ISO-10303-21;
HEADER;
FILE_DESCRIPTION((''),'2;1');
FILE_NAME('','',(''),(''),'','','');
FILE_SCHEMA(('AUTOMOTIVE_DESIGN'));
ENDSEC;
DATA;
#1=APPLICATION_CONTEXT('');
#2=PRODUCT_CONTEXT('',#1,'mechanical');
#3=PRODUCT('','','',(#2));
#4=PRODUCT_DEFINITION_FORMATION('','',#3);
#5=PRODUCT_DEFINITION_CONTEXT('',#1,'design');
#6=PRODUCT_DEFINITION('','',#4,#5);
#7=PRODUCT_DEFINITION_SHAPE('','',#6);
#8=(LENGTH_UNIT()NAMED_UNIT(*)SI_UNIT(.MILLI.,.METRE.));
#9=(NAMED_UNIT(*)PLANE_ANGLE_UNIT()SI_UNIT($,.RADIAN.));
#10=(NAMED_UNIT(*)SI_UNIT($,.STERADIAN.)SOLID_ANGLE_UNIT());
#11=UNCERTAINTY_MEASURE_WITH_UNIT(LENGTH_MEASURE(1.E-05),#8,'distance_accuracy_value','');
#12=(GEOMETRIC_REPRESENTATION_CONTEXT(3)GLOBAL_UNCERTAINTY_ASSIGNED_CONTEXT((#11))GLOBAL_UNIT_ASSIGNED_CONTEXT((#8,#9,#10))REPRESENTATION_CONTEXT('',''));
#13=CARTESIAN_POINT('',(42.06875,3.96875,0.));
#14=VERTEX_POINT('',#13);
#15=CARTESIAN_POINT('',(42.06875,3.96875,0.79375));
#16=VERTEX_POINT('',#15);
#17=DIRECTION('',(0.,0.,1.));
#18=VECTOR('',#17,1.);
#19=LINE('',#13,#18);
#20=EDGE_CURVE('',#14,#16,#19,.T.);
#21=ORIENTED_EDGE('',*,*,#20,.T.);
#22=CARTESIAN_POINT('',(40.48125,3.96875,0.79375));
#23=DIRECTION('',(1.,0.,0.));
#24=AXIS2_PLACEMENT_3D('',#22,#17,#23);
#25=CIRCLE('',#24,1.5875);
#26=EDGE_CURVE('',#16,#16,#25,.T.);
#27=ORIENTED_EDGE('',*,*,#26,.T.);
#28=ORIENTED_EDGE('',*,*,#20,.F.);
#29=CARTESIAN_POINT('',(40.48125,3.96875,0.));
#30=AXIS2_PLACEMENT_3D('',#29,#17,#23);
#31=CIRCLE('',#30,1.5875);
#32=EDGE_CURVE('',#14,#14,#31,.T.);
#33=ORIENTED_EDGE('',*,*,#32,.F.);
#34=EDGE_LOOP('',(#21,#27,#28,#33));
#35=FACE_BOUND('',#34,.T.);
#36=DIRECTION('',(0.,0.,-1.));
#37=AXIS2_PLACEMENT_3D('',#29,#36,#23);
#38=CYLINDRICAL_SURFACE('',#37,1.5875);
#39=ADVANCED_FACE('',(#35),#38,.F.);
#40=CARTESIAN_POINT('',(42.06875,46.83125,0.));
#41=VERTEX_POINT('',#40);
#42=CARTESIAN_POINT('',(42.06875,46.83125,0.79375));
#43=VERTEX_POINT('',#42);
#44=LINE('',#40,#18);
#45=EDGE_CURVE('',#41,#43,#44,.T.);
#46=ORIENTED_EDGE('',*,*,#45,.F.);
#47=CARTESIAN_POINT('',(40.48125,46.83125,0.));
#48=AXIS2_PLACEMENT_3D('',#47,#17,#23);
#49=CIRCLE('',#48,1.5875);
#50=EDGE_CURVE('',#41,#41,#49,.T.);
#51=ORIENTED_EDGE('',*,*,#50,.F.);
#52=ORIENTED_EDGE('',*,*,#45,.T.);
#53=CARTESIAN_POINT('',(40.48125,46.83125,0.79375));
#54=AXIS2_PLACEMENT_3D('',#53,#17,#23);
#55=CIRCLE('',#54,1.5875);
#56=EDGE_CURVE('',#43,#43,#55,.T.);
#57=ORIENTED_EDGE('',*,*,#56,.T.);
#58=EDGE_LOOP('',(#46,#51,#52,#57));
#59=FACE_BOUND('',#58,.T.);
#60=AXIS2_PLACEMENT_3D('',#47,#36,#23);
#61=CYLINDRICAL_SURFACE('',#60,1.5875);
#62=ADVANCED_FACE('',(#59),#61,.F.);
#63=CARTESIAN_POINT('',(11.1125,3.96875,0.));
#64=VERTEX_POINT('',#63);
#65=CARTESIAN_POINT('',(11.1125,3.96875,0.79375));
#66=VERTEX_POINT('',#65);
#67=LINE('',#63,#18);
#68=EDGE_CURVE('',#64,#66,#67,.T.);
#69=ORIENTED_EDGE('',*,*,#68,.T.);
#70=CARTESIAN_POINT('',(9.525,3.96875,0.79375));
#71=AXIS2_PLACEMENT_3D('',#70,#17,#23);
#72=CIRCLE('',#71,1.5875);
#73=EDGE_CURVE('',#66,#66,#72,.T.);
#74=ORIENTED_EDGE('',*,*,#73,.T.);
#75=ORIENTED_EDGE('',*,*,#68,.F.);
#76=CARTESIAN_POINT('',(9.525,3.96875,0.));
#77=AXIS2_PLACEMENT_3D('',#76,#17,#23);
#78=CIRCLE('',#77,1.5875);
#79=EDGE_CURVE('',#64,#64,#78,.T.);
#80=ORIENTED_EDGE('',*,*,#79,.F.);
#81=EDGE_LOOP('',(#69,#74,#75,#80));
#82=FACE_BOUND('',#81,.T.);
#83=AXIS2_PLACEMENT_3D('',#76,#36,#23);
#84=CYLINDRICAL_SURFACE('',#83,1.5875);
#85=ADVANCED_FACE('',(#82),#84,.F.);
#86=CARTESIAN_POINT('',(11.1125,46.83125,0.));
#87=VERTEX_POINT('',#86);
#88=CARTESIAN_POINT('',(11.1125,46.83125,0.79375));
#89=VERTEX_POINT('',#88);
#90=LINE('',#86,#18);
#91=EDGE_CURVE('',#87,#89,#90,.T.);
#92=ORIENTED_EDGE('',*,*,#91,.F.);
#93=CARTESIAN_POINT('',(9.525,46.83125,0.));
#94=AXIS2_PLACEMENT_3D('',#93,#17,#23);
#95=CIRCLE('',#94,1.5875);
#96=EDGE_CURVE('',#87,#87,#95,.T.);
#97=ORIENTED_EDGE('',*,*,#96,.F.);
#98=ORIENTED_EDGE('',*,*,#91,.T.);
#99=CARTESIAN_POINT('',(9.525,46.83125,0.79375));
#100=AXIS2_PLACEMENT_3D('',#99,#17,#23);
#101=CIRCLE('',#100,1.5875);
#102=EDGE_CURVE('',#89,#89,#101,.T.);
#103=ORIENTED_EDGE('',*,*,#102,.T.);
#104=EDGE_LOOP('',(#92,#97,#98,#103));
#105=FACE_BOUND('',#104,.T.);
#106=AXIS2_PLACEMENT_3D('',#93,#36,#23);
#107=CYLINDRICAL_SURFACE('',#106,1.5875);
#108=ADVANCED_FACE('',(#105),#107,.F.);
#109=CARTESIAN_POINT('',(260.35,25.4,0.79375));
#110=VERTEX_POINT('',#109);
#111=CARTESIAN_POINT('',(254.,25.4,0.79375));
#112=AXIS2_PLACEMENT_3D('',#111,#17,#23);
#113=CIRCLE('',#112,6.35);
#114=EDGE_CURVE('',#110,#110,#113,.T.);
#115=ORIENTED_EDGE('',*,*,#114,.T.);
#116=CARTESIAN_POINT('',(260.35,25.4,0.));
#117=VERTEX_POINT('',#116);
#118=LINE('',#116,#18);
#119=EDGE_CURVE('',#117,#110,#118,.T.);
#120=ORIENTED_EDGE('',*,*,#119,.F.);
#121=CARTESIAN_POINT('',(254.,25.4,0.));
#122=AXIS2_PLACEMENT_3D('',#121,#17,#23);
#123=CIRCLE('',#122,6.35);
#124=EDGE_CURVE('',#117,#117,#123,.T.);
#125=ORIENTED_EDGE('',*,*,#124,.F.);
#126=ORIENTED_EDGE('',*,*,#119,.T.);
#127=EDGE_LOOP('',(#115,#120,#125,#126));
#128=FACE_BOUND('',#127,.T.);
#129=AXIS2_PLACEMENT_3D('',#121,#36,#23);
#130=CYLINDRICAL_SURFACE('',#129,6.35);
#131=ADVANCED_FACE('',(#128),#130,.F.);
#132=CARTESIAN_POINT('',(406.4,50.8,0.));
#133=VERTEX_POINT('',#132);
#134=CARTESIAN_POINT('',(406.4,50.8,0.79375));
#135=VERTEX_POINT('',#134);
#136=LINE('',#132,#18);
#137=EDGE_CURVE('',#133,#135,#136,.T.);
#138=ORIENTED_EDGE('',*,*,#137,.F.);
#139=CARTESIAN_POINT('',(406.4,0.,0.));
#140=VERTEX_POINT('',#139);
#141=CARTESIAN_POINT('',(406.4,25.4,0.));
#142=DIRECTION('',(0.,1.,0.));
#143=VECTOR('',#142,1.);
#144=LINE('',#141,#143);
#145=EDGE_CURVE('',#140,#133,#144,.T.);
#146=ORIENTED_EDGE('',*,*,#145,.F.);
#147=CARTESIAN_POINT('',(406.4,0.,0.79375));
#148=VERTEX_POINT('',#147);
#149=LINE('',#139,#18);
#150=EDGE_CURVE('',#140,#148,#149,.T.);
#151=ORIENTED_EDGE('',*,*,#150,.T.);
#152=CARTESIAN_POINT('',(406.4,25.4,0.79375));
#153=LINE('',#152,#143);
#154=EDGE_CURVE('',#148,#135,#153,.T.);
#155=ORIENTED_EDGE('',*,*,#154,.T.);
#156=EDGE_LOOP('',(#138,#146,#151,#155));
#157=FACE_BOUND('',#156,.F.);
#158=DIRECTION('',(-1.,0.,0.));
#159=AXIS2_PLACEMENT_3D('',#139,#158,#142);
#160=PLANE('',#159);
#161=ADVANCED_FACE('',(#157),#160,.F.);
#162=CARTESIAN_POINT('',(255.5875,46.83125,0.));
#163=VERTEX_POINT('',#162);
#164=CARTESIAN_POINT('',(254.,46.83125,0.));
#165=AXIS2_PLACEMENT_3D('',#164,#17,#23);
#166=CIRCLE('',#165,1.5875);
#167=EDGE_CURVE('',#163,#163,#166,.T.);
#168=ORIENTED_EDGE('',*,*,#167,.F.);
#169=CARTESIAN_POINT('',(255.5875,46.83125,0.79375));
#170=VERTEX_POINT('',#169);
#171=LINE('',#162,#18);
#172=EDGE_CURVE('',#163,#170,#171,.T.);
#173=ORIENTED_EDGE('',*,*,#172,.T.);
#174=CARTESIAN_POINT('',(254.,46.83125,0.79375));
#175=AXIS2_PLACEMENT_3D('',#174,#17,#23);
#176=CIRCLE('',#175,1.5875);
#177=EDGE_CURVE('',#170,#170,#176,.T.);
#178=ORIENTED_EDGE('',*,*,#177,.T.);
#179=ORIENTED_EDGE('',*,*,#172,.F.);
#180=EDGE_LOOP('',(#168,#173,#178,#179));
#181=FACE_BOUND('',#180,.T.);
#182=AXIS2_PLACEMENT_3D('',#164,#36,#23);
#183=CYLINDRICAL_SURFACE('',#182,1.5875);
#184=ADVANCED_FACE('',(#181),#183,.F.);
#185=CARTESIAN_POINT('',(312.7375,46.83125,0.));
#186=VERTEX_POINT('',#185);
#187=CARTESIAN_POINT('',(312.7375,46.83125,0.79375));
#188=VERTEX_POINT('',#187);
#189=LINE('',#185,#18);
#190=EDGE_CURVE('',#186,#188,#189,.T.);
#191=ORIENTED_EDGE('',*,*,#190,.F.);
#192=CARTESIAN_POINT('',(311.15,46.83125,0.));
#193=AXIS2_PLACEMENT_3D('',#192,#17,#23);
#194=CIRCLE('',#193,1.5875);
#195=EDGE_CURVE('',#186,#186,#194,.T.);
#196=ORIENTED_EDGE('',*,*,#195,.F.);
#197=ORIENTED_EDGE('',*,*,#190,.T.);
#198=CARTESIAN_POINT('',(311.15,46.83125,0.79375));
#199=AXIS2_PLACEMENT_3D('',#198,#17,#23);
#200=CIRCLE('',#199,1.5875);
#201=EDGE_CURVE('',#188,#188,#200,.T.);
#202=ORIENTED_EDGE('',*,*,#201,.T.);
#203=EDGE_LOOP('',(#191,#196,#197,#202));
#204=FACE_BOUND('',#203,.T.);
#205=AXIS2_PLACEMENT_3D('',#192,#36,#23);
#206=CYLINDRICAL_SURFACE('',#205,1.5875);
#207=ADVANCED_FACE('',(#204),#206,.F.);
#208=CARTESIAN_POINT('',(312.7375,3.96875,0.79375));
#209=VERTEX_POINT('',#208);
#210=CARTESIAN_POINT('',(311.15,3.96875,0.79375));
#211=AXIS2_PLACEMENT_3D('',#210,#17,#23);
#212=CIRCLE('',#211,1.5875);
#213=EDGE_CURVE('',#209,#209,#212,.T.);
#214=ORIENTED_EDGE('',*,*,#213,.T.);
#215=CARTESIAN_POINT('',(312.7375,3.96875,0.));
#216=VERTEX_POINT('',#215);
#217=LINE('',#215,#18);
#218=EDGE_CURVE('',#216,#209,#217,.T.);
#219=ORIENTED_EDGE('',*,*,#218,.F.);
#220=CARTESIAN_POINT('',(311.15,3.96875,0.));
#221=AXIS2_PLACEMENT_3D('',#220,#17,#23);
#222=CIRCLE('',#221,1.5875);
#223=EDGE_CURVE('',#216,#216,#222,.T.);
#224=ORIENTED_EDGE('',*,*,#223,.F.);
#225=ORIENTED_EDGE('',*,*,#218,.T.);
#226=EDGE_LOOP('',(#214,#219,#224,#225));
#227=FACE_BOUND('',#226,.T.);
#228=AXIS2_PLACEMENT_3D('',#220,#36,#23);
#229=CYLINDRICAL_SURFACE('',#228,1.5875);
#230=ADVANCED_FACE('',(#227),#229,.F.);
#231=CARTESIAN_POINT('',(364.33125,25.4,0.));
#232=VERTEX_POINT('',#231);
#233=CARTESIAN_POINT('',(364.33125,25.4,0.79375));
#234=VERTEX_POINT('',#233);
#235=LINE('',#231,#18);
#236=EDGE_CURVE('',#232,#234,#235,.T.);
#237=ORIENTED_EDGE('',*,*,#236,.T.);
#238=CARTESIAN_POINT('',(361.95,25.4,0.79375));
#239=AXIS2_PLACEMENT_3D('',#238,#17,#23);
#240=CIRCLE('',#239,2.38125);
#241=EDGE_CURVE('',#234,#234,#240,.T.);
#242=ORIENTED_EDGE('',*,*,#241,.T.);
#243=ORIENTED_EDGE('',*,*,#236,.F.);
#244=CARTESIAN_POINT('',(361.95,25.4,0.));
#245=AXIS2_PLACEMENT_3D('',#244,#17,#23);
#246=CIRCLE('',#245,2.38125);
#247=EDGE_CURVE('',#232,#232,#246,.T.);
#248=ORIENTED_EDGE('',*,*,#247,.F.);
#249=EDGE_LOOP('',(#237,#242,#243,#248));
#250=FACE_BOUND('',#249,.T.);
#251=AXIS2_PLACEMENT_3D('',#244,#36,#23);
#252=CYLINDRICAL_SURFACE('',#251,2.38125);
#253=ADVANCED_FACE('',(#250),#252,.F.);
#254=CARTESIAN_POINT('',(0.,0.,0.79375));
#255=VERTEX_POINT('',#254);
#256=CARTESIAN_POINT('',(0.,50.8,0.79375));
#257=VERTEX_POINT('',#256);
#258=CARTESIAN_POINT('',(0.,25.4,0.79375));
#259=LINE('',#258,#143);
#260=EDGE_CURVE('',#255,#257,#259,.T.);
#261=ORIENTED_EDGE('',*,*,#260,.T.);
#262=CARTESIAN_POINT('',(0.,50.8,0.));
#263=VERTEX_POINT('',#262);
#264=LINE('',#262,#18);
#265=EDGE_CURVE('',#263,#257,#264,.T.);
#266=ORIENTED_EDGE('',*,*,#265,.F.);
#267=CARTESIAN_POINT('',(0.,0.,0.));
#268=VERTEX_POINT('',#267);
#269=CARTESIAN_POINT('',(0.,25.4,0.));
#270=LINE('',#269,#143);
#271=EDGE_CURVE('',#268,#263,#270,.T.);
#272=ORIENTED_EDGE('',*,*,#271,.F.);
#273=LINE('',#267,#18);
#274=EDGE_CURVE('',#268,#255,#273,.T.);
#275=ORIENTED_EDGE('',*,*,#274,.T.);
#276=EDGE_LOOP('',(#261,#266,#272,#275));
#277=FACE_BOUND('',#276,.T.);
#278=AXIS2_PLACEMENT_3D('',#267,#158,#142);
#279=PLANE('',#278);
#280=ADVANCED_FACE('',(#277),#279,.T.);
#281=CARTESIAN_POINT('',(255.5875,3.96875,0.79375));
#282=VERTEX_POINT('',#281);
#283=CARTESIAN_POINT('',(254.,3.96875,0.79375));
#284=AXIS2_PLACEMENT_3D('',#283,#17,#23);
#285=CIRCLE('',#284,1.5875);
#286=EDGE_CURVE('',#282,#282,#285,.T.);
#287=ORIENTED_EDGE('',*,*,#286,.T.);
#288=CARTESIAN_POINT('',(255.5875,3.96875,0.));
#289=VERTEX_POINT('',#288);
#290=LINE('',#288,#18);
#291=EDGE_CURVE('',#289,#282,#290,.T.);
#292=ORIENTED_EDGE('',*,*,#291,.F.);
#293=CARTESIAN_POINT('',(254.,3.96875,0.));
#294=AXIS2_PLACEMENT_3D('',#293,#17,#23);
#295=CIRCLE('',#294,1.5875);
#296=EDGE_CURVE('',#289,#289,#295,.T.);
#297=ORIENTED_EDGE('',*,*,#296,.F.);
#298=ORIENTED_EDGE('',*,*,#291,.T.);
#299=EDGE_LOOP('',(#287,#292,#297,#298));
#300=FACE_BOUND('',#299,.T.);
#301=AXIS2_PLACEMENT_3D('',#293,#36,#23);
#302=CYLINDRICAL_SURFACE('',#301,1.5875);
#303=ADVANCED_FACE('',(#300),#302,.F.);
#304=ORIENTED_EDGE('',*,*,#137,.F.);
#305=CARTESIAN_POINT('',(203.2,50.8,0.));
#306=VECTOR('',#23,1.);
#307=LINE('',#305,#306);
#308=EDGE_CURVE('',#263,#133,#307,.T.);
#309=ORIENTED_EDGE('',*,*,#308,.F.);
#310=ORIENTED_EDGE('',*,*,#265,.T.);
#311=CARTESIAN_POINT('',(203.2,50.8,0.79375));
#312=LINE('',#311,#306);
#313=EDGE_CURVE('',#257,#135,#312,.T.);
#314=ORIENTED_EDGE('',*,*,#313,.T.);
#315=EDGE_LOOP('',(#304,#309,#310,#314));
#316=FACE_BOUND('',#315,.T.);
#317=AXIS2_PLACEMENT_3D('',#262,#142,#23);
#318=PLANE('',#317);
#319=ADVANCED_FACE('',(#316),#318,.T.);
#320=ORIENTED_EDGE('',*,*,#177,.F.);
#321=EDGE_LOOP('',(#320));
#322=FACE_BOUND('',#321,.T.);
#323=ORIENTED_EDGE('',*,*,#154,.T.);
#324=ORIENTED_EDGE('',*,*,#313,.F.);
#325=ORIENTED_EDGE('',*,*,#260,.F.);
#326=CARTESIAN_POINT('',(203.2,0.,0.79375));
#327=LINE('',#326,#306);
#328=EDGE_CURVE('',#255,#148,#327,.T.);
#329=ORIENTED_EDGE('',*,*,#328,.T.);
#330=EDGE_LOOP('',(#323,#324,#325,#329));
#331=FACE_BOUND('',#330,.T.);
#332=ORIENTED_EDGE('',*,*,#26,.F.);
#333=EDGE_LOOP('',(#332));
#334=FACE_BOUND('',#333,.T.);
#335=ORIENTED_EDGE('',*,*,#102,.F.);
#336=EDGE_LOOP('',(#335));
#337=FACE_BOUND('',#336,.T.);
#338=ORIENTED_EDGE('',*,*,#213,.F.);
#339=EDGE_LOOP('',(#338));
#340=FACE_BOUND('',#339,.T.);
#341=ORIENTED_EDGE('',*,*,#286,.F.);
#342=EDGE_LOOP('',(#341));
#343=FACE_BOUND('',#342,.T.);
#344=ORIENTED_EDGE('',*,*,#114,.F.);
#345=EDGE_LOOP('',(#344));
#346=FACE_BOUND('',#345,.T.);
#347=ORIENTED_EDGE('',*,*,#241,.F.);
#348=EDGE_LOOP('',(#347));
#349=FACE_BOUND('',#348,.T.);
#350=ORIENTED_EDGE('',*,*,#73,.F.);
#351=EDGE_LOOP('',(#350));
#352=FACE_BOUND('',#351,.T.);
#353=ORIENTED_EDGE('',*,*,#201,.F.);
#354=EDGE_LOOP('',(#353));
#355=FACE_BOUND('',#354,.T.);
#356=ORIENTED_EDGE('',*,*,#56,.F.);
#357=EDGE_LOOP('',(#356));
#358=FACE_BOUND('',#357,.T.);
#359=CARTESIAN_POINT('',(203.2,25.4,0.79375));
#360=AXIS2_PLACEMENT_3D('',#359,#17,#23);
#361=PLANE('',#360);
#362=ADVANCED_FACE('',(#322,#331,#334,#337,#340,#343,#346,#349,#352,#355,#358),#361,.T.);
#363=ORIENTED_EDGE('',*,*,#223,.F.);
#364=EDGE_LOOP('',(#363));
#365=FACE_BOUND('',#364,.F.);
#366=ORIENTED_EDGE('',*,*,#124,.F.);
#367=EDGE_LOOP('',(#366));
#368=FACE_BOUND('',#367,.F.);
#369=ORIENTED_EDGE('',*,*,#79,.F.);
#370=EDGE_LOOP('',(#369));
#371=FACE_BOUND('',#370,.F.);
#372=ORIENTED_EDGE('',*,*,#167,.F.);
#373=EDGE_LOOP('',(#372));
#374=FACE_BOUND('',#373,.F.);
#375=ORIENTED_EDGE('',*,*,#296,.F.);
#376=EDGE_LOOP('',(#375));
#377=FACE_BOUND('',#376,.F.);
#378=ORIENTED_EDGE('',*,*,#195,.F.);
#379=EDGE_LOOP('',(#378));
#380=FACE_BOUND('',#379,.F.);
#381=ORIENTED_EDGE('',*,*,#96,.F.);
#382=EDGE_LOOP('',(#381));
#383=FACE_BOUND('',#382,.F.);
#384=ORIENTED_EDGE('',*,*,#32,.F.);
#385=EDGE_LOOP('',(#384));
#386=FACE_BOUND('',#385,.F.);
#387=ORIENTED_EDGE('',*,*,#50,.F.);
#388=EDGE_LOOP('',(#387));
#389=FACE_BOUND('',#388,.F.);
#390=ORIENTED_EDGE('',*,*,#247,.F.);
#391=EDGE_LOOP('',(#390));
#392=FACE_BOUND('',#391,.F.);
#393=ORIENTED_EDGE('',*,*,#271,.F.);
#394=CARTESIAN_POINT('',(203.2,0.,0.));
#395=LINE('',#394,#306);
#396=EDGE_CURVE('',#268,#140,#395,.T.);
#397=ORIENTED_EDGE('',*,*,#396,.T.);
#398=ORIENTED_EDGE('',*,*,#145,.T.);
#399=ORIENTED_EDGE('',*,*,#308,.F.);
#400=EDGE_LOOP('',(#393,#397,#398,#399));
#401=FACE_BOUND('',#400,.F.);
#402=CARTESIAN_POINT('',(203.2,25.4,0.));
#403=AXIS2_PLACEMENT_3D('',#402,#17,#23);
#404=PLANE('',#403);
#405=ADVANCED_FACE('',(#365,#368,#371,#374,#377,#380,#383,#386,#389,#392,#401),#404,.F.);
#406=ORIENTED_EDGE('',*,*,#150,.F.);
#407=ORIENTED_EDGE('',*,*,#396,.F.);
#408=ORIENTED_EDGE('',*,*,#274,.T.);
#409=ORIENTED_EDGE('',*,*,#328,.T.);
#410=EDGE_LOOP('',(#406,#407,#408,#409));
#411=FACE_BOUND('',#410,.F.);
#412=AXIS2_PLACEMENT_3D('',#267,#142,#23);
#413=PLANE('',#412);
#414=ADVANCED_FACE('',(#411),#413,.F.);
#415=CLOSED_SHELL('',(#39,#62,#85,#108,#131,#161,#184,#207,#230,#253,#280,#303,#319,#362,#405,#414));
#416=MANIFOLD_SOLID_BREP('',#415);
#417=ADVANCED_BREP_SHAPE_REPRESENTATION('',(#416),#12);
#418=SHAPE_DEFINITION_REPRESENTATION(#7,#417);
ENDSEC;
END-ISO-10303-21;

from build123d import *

# Parameters (mm, degrees)
F0_W     = 406.4
F0_H     = 50.8
F0_R     = 1.5875
F0_R_2   = 6.35
F0_R_3   = 2.38125
F1_DEPTH = 0.79375


with BuildPart() as f1:
    # F0 (on Top) → F1 (new body)
    with BuildSketch(Plane.XY):
        with Locations((203.2, 25.4)):
            Rectangle(F0_W, F0_H)
        with Locations((9.525, 3.96875)):
            Circle(F0_R, mode=Mode.SUBTRACT)
        with Locations((40.48125, 3.96875)):
            Circle(F0_R, mode=Mode.SUBTRACT)
        with Locations((254, 3.96875)):
            Circle(F0_R, mode=Mode.SUBTRACT)
        with Locations((311.15, 3.96875)):
            Circle(F0_R, mode=Mode.SUBTRACT)
        with Locations((254, 25.4)):
            Circle(F0_R_2, mode=Mode.SUBTRACT)
        with Locations((361.95, 25.4)):
            Circle(F0_R_3, mode=Mode.SUBTRACT)
        with Locations((9.525, 46.83125)):
            Circle(F0_R, mode=Mode.SUBTRACT)
        with Locations((40.48125, 46.83125)):
            Circle(F0_R, mode=Mode.SUBTRACT)
        with Locations((254, 46.83125)):
            Circle(F0_R, mode=Mode.SUBTRACT)
        with Locations((311.15, 46.83125)):
            Circle(F0_R, mode=Mode.SUBTRACT)
    extrude(amount=F1_DEPTH)


solid = f1.part
